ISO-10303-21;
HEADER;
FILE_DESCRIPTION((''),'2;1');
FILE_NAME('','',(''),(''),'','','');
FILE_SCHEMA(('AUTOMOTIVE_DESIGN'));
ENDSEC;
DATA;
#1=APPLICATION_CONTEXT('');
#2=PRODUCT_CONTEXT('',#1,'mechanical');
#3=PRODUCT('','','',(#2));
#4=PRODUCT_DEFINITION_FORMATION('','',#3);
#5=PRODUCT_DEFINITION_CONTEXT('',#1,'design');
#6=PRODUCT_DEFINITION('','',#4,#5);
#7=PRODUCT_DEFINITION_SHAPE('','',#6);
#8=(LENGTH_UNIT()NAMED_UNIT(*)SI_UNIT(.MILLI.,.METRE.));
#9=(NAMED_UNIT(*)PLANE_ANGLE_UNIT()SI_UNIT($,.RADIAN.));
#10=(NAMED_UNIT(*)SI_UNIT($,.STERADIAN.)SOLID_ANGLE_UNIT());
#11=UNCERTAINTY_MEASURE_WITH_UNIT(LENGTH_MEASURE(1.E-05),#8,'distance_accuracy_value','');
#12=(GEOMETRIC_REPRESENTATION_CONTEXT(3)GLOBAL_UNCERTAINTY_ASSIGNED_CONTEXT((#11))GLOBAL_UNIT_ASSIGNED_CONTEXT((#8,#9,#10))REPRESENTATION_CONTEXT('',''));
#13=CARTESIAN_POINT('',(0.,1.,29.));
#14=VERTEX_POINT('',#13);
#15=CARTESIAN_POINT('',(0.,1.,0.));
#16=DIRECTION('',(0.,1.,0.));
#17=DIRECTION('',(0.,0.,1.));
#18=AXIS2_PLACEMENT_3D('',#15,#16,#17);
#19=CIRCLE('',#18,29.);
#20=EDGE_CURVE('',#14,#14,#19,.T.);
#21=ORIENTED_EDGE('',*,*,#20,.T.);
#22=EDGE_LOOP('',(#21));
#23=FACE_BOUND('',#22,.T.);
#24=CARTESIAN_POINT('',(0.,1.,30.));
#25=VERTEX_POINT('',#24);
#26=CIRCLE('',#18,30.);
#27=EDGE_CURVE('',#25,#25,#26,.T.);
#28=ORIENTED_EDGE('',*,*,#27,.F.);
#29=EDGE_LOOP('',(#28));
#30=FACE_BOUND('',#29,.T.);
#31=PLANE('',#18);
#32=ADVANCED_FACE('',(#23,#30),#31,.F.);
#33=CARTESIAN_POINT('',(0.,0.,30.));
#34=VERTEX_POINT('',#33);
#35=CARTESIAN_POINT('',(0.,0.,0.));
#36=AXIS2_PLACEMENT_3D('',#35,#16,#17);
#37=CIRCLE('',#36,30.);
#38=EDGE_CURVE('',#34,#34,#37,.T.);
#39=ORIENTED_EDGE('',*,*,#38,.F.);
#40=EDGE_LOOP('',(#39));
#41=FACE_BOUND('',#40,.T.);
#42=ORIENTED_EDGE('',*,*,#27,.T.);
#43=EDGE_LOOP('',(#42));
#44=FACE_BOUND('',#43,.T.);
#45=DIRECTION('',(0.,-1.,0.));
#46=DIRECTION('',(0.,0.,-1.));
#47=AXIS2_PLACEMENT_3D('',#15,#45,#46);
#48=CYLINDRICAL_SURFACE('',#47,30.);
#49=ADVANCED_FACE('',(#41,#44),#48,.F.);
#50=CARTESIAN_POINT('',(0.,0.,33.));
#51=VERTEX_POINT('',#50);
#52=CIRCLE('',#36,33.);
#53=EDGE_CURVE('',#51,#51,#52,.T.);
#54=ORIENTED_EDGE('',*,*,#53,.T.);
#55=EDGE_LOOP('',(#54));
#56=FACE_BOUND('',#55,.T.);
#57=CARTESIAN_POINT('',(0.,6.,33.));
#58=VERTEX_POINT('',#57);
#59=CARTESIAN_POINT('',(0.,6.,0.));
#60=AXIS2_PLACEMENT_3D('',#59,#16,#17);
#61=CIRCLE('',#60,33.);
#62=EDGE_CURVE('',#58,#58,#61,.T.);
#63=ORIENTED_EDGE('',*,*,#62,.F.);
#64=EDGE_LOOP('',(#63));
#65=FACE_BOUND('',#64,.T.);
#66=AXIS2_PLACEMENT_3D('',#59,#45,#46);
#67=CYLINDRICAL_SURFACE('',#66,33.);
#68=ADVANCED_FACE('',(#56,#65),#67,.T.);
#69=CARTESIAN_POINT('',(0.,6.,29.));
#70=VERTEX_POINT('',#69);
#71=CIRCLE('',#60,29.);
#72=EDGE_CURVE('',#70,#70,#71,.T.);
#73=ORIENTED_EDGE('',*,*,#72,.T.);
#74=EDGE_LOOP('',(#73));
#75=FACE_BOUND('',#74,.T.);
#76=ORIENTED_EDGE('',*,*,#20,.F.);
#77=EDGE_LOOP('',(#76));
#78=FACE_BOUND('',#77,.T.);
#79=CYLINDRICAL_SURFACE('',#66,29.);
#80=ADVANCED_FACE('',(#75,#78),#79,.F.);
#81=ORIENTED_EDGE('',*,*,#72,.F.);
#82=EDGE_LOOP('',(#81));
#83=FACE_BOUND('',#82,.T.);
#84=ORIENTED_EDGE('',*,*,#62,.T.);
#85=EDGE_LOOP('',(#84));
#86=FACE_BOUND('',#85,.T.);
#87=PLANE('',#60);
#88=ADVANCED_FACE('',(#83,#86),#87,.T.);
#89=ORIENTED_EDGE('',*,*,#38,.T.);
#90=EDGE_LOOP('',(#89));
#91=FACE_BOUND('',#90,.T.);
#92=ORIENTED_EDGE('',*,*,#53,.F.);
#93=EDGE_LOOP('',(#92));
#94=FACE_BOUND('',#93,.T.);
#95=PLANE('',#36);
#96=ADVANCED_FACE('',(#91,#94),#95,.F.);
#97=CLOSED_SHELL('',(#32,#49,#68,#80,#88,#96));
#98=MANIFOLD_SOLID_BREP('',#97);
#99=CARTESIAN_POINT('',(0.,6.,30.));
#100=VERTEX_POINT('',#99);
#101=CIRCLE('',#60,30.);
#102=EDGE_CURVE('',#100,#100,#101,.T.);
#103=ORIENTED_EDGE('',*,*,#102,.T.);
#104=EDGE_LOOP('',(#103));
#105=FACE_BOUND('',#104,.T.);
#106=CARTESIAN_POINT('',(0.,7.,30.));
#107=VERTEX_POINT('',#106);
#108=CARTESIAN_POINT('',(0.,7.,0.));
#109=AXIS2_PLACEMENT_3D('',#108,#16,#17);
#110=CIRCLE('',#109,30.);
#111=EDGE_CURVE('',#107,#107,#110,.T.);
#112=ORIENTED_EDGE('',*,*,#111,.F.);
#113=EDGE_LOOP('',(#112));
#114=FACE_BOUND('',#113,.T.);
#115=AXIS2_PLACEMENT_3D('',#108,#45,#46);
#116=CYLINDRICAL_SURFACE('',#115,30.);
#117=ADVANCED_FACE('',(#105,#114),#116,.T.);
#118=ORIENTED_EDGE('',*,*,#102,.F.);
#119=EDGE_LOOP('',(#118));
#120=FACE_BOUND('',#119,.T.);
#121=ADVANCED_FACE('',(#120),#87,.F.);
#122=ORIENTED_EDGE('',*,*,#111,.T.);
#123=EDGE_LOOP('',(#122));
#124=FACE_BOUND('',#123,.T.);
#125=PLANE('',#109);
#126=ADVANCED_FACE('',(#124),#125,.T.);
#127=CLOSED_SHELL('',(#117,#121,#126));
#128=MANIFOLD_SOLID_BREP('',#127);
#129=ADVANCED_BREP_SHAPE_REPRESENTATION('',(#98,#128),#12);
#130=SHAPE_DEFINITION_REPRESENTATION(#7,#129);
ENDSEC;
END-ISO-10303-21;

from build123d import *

# Parameters (mm, degrees)
SKETCH1_R           = 33
SKETCH1_R_2         = 29
BEZEL_RING_DEPTH    = 6
SKETCH2_R           = 30
CUT_EXTRUDE1_DEPTH  = 1
SKETCH4_R           = 30
BOSS_EXTRUDE2_DEPTH = 1


with BuildPart() as part:
    # Sketch1 → BEZEL_RING (new body)
    with BuildSketch(Plane(origin=(0, 0, 0), x_dir=(1, 0, 0), z_dir=(0, 1, 0))):
        with Locations(Location((0, 0, 0), (0, 0, 270))):
            Circle(SKETCH1_R)
        with Locations(Location((0, 0, 0), (0, 0, 270))):
            Circle(SKETCH1_R_2, mode=Mode.SUBTRACT)
    extrude(amount=BEZEL_RING_DEPTH)

    # Sketch2 → Cut-Extrude1 (cut)
    with BuildSketch(Plane(origin=(0, 0, 0), x_dir=(1, 0, 0), z_dir=(0, 1, 0))):
        with Locations(Location((0, 0, 0), (0, 0, 270))):
            Circle(SKETCH2_R)
    extrude(amount=CUT_EXTRUDE1_DEPTH, mode=Mode.SUBTRACT)


with BuildPart() as body_2:
    # Sketch4 → Boss-Extrude2 (new body)
    with BuildSketch(Plane(origin=(0, 6, 0), x_dir=(1, 0, 0), z_dir=(0, 1, 0))):
        with Locations(Location((0, 0, 0), (0, 0, 270))):
            Circle(SKETCH4_R)
    extrude(amount=BOSS_EXTRUDE2_DEPTH)


solid = Compound([part.part, body_2.part])
